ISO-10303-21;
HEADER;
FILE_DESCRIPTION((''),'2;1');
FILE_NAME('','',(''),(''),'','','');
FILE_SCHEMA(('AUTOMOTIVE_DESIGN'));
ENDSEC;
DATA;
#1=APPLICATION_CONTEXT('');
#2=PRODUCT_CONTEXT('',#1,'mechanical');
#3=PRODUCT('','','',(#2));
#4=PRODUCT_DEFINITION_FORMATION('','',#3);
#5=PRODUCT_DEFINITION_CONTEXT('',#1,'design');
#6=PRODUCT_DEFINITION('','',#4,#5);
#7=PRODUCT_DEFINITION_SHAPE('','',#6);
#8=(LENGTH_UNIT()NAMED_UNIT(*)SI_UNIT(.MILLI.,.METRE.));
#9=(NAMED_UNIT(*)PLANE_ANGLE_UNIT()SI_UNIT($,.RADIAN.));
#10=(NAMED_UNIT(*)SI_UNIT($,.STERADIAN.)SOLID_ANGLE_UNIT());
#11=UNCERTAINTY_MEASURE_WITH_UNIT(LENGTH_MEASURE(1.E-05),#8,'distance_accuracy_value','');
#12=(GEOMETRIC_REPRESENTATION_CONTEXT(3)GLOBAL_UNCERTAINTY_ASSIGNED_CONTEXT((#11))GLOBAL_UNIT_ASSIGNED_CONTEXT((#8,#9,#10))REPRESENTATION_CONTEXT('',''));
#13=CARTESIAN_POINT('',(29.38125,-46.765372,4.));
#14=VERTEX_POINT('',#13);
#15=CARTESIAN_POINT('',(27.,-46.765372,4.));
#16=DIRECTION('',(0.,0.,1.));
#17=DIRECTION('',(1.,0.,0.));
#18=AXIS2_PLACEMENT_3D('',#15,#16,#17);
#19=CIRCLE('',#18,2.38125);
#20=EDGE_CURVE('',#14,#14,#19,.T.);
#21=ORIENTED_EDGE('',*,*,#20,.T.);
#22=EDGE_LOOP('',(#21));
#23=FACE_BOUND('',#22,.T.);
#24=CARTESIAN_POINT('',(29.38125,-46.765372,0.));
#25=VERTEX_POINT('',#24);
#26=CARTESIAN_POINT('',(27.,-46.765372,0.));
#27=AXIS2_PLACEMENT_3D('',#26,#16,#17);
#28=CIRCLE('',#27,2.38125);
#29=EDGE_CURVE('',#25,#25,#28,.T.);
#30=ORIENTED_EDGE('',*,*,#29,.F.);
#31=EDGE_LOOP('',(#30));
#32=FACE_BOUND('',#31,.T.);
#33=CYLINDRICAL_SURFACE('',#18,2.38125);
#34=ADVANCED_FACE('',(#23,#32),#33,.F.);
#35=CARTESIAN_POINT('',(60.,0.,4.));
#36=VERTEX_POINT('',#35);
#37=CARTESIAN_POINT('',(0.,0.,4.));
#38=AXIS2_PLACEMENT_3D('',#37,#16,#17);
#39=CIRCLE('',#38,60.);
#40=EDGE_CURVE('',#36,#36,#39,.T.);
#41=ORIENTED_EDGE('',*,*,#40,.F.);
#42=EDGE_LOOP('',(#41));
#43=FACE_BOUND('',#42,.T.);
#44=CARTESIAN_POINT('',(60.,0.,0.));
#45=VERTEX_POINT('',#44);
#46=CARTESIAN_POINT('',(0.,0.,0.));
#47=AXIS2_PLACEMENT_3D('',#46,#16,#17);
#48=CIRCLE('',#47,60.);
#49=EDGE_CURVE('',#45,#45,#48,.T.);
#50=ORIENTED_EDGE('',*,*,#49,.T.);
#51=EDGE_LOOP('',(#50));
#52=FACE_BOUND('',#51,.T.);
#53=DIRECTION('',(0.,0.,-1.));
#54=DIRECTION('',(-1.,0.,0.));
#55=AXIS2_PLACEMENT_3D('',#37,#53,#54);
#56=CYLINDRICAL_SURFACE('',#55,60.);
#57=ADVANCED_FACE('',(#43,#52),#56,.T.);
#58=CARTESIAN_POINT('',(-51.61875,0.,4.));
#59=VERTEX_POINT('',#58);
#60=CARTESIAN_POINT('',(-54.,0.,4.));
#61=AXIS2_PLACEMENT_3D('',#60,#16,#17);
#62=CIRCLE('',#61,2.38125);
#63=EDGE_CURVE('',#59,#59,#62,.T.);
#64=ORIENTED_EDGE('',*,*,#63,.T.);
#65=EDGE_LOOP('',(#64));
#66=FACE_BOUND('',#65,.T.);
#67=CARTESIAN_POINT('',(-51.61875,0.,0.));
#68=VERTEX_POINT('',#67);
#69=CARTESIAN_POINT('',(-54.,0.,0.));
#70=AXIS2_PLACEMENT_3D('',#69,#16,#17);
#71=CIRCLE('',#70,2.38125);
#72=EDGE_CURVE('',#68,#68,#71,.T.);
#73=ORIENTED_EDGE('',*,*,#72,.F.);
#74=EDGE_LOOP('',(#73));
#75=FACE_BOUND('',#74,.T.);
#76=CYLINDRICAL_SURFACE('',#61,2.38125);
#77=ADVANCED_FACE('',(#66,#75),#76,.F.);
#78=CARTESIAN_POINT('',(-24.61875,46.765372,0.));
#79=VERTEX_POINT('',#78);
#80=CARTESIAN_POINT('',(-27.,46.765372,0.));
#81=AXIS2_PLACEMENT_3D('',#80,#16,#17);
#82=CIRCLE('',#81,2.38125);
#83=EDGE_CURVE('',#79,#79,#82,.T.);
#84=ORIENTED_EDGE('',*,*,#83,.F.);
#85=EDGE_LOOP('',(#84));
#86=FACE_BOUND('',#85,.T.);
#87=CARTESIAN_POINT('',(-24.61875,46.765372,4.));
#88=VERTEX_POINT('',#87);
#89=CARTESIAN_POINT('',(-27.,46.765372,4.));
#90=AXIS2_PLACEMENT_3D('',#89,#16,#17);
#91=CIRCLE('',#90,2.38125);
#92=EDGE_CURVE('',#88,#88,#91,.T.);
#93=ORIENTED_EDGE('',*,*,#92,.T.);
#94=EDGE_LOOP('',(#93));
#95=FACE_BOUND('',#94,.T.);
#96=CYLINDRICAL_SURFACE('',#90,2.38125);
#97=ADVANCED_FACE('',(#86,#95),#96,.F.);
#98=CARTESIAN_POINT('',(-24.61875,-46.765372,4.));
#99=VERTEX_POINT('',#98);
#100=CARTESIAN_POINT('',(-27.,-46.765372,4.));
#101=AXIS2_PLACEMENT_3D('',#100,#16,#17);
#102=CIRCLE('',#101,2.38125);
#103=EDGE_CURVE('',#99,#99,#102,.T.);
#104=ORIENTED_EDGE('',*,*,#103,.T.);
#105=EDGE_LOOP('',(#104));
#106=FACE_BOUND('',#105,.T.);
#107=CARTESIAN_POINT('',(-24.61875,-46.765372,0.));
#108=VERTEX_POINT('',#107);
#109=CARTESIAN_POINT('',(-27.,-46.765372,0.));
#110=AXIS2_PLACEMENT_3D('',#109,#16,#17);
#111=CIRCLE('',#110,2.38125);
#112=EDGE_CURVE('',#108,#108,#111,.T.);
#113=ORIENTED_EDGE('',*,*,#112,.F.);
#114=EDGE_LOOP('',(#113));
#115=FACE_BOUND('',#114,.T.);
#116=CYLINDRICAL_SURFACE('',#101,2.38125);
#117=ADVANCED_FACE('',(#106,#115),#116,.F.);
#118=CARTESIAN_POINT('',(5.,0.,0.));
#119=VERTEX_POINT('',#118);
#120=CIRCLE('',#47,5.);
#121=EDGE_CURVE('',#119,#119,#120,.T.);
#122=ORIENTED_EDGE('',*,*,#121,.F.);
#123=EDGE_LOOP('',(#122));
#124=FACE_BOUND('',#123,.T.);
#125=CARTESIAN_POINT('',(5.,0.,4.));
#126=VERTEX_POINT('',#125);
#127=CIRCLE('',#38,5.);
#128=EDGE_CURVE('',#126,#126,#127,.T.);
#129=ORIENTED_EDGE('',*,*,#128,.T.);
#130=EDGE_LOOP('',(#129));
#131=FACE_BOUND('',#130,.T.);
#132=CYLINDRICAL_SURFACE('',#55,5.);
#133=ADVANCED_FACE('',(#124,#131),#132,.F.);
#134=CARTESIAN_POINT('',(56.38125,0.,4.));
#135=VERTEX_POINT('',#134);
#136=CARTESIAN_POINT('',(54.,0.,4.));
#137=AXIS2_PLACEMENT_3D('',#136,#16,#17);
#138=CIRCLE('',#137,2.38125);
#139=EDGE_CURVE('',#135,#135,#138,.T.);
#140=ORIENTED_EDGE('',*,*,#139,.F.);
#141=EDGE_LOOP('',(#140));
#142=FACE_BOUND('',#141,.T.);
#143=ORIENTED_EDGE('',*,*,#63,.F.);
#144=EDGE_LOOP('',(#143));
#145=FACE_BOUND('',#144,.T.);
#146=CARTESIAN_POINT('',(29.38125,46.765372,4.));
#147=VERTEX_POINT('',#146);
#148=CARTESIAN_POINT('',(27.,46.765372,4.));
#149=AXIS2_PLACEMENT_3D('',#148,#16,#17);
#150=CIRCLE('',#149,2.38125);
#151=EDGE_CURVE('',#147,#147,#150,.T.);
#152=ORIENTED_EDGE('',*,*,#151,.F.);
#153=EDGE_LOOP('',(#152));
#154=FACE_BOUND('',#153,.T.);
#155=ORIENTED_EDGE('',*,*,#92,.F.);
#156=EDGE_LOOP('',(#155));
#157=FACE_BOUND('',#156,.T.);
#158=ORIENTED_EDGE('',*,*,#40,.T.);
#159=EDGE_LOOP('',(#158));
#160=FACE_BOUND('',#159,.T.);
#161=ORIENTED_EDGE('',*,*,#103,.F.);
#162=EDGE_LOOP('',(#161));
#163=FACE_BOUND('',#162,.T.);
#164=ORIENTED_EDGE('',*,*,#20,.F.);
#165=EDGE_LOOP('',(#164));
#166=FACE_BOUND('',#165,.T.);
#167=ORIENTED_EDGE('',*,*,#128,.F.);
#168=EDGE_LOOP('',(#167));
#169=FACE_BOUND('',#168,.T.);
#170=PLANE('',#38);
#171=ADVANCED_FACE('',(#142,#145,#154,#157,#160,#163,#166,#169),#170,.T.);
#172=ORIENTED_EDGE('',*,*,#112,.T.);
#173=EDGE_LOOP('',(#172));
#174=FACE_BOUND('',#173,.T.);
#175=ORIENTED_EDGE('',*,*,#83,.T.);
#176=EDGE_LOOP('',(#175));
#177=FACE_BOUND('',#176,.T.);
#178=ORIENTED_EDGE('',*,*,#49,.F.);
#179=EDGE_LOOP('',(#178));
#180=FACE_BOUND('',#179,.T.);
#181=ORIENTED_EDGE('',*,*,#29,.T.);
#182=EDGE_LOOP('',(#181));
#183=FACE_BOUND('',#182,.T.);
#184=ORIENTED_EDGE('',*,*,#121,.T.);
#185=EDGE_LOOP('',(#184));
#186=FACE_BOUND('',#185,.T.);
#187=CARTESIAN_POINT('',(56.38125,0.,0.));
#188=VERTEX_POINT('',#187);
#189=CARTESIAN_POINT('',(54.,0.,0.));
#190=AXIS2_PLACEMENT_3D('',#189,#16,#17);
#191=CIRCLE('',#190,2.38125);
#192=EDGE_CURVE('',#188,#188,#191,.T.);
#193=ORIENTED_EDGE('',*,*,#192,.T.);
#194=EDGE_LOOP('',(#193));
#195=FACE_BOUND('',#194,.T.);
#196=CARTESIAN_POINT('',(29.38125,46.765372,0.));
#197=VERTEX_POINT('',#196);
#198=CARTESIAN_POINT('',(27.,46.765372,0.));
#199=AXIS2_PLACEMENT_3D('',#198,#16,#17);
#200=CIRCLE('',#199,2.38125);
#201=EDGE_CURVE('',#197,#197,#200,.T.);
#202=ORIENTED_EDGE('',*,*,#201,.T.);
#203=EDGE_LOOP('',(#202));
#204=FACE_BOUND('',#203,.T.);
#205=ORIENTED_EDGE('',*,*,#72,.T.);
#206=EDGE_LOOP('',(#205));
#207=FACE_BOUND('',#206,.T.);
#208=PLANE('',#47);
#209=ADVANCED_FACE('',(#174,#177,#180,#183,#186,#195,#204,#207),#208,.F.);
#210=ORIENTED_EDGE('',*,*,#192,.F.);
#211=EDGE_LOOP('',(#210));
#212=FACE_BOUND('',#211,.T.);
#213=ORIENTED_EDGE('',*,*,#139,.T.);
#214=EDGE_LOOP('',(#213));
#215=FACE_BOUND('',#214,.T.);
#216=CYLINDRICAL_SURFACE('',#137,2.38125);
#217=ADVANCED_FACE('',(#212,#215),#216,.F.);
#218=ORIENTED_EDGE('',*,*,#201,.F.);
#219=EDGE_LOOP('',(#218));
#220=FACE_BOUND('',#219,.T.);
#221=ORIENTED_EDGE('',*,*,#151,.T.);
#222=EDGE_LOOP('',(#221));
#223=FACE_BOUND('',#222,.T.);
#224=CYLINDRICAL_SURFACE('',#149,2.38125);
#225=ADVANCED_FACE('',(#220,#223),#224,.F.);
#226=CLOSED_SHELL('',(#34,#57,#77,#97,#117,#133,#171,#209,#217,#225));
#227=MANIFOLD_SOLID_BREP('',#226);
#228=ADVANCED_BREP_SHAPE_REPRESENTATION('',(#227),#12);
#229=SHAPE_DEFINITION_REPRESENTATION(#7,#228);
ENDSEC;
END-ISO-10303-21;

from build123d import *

# Parameters (mm, degrees)
SKETCH1_R                   = 60
SKETCH1_R_2                 = 5
BOSS_EXTRUDE1_DEPTH         = 4
F_3_16_0_1875_DOWEL_HOLE1_D = 4.7625


with BuildPart() as part:
    # Sketch1 → Boss-Extrude1 (new body)
    with BuildSketch(Plane.XY):
        Circle(SKETCH1_R)
        Circle(SKETCH1_R_2, mode=Mode.SUBTRACT)
    extrude(amount=BOSS_EXTRUDE1_DEPTH)

    # 3/16 (0.1875) Dowel Hole1 (through all)
    with Locations(Plane(origin=(-54, 0, 4), x_dir=(1, 0, 0), z_dir=(0, 0, 1))):
        with Locations((0, 0), (108, 0), (27, 46.765371804), (27, -46.765371804), (81, 46.765371804), (81, -46.765371804)):
            Hole(F_3_16_0_1875_DOWEL_HOLE1_D / 2)


solid = part.part
